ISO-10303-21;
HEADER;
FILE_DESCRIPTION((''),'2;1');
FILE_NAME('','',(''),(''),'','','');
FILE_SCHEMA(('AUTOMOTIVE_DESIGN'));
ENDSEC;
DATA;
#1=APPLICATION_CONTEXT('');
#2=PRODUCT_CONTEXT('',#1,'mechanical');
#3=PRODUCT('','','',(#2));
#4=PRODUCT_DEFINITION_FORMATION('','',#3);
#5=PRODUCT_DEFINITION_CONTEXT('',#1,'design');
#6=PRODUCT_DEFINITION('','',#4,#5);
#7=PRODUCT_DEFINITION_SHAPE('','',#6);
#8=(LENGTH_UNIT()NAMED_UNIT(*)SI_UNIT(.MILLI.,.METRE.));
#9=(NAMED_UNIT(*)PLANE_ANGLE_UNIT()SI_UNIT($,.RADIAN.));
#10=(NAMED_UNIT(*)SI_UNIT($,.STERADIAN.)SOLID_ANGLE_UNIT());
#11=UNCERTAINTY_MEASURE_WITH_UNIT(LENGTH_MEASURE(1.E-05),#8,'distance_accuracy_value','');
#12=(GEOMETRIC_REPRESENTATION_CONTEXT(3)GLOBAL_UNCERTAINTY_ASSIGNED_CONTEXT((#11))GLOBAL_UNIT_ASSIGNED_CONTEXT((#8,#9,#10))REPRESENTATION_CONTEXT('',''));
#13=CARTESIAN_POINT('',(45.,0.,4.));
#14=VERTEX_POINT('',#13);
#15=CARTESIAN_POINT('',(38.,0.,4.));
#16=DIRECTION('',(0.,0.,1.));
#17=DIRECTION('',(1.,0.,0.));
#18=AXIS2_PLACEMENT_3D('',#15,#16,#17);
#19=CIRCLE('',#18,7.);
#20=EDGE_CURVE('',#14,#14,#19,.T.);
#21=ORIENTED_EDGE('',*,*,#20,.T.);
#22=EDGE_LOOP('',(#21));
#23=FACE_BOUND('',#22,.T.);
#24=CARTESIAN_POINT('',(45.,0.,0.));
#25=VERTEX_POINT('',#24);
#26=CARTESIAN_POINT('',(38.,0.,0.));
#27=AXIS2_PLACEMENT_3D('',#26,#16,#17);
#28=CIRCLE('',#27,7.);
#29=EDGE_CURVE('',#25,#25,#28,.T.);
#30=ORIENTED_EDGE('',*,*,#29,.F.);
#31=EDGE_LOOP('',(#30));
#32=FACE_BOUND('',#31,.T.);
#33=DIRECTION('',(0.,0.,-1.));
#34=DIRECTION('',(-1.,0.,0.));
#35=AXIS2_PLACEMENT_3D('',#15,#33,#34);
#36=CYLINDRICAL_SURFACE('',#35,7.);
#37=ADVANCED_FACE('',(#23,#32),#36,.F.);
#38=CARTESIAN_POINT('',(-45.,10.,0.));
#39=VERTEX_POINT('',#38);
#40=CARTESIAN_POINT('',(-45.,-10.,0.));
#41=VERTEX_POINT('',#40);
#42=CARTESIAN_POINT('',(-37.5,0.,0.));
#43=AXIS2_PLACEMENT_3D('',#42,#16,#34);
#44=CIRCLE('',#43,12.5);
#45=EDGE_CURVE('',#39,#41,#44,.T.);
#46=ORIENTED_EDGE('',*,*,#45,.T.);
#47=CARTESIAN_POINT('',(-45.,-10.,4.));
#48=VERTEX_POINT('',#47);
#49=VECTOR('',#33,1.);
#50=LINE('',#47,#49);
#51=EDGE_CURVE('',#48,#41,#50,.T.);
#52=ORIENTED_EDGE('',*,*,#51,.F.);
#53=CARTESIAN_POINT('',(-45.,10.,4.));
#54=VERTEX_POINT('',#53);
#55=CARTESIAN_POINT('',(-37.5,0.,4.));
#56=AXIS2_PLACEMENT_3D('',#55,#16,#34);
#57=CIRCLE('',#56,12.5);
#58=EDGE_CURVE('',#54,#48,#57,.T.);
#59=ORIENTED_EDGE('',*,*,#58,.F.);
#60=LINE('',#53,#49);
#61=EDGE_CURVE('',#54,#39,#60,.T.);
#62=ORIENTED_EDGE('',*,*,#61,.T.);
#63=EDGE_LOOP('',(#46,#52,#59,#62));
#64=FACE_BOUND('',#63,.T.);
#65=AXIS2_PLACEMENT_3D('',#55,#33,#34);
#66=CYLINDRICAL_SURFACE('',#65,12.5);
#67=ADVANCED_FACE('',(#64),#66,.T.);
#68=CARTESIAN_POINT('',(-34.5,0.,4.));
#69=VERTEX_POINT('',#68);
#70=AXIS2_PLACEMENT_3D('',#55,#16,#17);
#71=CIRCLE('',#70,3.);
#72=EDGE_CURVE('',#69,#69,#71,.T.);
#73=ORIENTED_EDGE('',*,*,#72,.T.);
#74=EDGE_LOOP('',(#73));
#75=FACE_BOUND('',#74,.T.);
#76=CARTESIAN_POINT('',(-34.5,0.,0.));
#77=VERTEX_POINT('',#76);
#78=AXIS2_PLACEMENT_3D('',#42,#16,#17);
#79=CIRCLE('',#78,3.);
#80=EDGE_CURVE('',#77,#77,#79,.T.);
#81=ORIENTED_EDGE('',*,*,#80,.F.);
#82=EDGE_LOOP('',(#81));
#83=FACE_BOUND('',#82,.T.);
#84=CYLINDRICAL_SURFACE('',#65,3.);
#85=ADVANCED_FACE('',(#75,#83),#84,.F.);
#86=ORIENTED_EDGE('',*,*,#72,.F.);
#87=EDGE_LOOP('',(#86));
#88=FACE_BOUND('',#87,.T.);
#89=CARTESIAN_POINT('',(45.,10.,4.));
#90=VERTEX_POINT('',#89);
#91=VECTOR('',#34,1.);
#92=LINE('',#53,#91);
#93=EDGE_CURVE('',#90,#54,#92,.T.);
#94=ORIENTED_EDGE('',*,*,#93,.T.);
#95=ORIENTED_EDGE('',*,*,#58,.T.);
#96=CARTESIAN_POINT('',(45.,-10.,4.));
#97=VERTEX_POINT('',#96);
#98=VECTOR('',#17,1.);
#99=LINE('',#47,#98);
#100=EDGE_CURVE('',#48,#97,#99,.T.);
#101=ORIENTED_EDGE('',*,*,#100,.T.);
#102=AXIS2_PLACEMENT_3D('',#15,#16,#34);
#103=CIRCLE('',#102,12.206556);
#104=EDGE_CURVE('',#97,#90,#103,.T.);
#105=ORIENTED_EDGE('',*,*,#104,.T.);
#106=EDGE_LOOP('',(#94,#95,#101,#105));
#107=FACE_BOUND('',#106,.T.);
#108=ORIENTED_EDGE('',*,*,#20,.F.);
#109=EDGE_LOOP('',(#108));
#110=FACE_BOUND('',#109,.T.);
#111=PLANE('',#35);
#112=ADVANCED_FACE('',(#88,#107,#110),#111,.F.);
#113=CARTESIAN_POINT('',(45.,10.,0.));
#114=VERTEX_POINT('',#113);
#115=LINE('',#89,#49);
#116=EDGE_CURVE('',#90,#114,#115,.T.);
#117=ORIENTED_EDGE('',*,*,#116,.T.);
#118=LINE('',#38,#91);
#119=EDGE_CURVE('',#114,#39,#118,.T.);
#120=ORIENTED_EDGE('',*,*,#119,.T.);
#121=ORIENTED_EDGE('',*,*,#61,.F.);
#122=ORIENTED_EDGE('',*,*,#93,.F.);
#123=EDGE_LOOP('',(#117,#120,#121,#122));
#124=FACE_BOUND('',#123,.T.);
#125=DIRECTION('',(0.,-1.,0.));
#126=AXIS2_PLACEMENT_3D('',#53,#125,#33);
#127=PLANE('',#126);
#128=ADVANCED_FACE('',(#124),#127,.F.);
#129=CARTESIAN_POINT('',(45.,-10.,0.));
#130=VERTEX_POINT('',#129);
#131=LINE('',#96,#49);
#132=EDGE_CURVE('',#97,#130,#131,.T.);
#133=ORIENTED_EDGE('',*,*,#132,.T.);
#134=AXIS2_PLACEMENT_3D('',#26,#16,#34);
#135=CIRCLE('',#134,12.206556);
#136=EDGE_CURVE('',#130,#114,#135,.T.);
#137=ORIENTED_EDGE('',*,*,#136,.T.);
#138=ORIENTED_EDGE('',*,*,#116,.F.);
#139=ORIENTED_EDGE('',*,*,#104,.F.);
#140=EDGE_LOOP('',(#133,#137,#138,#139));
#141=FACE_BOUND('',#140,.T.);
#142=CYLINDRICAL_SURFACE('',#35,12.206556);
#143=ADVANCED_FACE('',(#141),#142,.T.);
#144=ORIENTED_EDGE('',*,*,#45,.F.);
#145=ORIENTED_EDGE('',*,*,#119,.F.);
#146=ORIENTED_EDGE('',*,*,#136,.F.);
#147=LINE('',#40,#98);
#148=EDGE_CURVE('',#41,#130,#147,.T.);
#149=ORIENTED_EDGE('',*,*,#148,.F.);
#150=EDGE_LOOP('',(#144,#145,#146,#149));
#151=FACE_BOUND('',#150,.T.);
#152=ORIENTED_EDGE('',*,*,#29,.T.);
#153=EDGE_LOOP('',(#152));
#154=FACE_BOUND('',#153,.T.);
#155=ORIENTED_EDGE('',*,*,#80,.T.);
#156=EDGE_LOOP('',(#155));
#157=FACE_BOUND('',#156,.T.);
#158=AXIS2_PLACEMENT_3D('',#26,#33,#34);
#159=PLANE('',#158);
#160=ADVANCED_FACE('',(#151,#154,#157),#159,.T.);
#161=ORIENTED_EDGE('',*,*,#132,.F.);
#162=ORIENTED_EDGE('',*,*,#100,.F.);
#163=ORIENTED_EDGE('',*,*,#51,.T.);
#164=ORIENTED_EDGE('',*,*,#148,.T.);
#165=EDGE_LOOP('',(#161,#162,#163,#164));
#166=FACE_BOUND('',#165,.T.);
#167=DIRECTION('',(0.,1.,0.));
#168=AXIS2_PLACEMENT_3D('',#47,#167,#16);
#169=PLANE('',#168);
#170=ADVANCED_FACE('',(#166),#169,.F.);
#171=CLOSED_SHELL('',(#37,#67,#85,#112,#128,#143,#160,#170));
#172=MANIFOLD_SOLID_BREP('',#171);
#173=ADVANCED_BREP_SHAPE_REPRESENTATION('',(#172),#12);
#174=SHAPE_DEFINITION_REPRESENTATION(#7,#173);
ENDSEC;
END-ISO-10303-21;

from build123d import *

# Parameters (mm, degrees)
SKETCH2_R           = 3
SKETCH2_R_2         = 7
BOSS_EXTRUDE1_DEPTH = 4


with BuildPart() as part:
    # Sketch2 → Boss-Extrude1 (new body)
    with BuildSketch(Plane.XY):
        with BuildLine():
            Line((-45, -10), (45, -10))
            ThreePointArc((45, -10), (50.206555616, 0), (45, 10))
            Line((45, 10), (-45, 10))
            ThreePointArc((-45, 10), (-50, 0), (-45, -10))
        make_face()
        with Locations((-37.5, 0)):
            Circle(SKETCH2_R, mode=Mode.SUBTRACT)
        with Locations((38, 0)):
            Circle(SKETCH2_R_2, mode=Mode.SUBTRACT)
    extrude(amount=BOSS_EXTRUDE1_DEPTH)


solid = part.part
